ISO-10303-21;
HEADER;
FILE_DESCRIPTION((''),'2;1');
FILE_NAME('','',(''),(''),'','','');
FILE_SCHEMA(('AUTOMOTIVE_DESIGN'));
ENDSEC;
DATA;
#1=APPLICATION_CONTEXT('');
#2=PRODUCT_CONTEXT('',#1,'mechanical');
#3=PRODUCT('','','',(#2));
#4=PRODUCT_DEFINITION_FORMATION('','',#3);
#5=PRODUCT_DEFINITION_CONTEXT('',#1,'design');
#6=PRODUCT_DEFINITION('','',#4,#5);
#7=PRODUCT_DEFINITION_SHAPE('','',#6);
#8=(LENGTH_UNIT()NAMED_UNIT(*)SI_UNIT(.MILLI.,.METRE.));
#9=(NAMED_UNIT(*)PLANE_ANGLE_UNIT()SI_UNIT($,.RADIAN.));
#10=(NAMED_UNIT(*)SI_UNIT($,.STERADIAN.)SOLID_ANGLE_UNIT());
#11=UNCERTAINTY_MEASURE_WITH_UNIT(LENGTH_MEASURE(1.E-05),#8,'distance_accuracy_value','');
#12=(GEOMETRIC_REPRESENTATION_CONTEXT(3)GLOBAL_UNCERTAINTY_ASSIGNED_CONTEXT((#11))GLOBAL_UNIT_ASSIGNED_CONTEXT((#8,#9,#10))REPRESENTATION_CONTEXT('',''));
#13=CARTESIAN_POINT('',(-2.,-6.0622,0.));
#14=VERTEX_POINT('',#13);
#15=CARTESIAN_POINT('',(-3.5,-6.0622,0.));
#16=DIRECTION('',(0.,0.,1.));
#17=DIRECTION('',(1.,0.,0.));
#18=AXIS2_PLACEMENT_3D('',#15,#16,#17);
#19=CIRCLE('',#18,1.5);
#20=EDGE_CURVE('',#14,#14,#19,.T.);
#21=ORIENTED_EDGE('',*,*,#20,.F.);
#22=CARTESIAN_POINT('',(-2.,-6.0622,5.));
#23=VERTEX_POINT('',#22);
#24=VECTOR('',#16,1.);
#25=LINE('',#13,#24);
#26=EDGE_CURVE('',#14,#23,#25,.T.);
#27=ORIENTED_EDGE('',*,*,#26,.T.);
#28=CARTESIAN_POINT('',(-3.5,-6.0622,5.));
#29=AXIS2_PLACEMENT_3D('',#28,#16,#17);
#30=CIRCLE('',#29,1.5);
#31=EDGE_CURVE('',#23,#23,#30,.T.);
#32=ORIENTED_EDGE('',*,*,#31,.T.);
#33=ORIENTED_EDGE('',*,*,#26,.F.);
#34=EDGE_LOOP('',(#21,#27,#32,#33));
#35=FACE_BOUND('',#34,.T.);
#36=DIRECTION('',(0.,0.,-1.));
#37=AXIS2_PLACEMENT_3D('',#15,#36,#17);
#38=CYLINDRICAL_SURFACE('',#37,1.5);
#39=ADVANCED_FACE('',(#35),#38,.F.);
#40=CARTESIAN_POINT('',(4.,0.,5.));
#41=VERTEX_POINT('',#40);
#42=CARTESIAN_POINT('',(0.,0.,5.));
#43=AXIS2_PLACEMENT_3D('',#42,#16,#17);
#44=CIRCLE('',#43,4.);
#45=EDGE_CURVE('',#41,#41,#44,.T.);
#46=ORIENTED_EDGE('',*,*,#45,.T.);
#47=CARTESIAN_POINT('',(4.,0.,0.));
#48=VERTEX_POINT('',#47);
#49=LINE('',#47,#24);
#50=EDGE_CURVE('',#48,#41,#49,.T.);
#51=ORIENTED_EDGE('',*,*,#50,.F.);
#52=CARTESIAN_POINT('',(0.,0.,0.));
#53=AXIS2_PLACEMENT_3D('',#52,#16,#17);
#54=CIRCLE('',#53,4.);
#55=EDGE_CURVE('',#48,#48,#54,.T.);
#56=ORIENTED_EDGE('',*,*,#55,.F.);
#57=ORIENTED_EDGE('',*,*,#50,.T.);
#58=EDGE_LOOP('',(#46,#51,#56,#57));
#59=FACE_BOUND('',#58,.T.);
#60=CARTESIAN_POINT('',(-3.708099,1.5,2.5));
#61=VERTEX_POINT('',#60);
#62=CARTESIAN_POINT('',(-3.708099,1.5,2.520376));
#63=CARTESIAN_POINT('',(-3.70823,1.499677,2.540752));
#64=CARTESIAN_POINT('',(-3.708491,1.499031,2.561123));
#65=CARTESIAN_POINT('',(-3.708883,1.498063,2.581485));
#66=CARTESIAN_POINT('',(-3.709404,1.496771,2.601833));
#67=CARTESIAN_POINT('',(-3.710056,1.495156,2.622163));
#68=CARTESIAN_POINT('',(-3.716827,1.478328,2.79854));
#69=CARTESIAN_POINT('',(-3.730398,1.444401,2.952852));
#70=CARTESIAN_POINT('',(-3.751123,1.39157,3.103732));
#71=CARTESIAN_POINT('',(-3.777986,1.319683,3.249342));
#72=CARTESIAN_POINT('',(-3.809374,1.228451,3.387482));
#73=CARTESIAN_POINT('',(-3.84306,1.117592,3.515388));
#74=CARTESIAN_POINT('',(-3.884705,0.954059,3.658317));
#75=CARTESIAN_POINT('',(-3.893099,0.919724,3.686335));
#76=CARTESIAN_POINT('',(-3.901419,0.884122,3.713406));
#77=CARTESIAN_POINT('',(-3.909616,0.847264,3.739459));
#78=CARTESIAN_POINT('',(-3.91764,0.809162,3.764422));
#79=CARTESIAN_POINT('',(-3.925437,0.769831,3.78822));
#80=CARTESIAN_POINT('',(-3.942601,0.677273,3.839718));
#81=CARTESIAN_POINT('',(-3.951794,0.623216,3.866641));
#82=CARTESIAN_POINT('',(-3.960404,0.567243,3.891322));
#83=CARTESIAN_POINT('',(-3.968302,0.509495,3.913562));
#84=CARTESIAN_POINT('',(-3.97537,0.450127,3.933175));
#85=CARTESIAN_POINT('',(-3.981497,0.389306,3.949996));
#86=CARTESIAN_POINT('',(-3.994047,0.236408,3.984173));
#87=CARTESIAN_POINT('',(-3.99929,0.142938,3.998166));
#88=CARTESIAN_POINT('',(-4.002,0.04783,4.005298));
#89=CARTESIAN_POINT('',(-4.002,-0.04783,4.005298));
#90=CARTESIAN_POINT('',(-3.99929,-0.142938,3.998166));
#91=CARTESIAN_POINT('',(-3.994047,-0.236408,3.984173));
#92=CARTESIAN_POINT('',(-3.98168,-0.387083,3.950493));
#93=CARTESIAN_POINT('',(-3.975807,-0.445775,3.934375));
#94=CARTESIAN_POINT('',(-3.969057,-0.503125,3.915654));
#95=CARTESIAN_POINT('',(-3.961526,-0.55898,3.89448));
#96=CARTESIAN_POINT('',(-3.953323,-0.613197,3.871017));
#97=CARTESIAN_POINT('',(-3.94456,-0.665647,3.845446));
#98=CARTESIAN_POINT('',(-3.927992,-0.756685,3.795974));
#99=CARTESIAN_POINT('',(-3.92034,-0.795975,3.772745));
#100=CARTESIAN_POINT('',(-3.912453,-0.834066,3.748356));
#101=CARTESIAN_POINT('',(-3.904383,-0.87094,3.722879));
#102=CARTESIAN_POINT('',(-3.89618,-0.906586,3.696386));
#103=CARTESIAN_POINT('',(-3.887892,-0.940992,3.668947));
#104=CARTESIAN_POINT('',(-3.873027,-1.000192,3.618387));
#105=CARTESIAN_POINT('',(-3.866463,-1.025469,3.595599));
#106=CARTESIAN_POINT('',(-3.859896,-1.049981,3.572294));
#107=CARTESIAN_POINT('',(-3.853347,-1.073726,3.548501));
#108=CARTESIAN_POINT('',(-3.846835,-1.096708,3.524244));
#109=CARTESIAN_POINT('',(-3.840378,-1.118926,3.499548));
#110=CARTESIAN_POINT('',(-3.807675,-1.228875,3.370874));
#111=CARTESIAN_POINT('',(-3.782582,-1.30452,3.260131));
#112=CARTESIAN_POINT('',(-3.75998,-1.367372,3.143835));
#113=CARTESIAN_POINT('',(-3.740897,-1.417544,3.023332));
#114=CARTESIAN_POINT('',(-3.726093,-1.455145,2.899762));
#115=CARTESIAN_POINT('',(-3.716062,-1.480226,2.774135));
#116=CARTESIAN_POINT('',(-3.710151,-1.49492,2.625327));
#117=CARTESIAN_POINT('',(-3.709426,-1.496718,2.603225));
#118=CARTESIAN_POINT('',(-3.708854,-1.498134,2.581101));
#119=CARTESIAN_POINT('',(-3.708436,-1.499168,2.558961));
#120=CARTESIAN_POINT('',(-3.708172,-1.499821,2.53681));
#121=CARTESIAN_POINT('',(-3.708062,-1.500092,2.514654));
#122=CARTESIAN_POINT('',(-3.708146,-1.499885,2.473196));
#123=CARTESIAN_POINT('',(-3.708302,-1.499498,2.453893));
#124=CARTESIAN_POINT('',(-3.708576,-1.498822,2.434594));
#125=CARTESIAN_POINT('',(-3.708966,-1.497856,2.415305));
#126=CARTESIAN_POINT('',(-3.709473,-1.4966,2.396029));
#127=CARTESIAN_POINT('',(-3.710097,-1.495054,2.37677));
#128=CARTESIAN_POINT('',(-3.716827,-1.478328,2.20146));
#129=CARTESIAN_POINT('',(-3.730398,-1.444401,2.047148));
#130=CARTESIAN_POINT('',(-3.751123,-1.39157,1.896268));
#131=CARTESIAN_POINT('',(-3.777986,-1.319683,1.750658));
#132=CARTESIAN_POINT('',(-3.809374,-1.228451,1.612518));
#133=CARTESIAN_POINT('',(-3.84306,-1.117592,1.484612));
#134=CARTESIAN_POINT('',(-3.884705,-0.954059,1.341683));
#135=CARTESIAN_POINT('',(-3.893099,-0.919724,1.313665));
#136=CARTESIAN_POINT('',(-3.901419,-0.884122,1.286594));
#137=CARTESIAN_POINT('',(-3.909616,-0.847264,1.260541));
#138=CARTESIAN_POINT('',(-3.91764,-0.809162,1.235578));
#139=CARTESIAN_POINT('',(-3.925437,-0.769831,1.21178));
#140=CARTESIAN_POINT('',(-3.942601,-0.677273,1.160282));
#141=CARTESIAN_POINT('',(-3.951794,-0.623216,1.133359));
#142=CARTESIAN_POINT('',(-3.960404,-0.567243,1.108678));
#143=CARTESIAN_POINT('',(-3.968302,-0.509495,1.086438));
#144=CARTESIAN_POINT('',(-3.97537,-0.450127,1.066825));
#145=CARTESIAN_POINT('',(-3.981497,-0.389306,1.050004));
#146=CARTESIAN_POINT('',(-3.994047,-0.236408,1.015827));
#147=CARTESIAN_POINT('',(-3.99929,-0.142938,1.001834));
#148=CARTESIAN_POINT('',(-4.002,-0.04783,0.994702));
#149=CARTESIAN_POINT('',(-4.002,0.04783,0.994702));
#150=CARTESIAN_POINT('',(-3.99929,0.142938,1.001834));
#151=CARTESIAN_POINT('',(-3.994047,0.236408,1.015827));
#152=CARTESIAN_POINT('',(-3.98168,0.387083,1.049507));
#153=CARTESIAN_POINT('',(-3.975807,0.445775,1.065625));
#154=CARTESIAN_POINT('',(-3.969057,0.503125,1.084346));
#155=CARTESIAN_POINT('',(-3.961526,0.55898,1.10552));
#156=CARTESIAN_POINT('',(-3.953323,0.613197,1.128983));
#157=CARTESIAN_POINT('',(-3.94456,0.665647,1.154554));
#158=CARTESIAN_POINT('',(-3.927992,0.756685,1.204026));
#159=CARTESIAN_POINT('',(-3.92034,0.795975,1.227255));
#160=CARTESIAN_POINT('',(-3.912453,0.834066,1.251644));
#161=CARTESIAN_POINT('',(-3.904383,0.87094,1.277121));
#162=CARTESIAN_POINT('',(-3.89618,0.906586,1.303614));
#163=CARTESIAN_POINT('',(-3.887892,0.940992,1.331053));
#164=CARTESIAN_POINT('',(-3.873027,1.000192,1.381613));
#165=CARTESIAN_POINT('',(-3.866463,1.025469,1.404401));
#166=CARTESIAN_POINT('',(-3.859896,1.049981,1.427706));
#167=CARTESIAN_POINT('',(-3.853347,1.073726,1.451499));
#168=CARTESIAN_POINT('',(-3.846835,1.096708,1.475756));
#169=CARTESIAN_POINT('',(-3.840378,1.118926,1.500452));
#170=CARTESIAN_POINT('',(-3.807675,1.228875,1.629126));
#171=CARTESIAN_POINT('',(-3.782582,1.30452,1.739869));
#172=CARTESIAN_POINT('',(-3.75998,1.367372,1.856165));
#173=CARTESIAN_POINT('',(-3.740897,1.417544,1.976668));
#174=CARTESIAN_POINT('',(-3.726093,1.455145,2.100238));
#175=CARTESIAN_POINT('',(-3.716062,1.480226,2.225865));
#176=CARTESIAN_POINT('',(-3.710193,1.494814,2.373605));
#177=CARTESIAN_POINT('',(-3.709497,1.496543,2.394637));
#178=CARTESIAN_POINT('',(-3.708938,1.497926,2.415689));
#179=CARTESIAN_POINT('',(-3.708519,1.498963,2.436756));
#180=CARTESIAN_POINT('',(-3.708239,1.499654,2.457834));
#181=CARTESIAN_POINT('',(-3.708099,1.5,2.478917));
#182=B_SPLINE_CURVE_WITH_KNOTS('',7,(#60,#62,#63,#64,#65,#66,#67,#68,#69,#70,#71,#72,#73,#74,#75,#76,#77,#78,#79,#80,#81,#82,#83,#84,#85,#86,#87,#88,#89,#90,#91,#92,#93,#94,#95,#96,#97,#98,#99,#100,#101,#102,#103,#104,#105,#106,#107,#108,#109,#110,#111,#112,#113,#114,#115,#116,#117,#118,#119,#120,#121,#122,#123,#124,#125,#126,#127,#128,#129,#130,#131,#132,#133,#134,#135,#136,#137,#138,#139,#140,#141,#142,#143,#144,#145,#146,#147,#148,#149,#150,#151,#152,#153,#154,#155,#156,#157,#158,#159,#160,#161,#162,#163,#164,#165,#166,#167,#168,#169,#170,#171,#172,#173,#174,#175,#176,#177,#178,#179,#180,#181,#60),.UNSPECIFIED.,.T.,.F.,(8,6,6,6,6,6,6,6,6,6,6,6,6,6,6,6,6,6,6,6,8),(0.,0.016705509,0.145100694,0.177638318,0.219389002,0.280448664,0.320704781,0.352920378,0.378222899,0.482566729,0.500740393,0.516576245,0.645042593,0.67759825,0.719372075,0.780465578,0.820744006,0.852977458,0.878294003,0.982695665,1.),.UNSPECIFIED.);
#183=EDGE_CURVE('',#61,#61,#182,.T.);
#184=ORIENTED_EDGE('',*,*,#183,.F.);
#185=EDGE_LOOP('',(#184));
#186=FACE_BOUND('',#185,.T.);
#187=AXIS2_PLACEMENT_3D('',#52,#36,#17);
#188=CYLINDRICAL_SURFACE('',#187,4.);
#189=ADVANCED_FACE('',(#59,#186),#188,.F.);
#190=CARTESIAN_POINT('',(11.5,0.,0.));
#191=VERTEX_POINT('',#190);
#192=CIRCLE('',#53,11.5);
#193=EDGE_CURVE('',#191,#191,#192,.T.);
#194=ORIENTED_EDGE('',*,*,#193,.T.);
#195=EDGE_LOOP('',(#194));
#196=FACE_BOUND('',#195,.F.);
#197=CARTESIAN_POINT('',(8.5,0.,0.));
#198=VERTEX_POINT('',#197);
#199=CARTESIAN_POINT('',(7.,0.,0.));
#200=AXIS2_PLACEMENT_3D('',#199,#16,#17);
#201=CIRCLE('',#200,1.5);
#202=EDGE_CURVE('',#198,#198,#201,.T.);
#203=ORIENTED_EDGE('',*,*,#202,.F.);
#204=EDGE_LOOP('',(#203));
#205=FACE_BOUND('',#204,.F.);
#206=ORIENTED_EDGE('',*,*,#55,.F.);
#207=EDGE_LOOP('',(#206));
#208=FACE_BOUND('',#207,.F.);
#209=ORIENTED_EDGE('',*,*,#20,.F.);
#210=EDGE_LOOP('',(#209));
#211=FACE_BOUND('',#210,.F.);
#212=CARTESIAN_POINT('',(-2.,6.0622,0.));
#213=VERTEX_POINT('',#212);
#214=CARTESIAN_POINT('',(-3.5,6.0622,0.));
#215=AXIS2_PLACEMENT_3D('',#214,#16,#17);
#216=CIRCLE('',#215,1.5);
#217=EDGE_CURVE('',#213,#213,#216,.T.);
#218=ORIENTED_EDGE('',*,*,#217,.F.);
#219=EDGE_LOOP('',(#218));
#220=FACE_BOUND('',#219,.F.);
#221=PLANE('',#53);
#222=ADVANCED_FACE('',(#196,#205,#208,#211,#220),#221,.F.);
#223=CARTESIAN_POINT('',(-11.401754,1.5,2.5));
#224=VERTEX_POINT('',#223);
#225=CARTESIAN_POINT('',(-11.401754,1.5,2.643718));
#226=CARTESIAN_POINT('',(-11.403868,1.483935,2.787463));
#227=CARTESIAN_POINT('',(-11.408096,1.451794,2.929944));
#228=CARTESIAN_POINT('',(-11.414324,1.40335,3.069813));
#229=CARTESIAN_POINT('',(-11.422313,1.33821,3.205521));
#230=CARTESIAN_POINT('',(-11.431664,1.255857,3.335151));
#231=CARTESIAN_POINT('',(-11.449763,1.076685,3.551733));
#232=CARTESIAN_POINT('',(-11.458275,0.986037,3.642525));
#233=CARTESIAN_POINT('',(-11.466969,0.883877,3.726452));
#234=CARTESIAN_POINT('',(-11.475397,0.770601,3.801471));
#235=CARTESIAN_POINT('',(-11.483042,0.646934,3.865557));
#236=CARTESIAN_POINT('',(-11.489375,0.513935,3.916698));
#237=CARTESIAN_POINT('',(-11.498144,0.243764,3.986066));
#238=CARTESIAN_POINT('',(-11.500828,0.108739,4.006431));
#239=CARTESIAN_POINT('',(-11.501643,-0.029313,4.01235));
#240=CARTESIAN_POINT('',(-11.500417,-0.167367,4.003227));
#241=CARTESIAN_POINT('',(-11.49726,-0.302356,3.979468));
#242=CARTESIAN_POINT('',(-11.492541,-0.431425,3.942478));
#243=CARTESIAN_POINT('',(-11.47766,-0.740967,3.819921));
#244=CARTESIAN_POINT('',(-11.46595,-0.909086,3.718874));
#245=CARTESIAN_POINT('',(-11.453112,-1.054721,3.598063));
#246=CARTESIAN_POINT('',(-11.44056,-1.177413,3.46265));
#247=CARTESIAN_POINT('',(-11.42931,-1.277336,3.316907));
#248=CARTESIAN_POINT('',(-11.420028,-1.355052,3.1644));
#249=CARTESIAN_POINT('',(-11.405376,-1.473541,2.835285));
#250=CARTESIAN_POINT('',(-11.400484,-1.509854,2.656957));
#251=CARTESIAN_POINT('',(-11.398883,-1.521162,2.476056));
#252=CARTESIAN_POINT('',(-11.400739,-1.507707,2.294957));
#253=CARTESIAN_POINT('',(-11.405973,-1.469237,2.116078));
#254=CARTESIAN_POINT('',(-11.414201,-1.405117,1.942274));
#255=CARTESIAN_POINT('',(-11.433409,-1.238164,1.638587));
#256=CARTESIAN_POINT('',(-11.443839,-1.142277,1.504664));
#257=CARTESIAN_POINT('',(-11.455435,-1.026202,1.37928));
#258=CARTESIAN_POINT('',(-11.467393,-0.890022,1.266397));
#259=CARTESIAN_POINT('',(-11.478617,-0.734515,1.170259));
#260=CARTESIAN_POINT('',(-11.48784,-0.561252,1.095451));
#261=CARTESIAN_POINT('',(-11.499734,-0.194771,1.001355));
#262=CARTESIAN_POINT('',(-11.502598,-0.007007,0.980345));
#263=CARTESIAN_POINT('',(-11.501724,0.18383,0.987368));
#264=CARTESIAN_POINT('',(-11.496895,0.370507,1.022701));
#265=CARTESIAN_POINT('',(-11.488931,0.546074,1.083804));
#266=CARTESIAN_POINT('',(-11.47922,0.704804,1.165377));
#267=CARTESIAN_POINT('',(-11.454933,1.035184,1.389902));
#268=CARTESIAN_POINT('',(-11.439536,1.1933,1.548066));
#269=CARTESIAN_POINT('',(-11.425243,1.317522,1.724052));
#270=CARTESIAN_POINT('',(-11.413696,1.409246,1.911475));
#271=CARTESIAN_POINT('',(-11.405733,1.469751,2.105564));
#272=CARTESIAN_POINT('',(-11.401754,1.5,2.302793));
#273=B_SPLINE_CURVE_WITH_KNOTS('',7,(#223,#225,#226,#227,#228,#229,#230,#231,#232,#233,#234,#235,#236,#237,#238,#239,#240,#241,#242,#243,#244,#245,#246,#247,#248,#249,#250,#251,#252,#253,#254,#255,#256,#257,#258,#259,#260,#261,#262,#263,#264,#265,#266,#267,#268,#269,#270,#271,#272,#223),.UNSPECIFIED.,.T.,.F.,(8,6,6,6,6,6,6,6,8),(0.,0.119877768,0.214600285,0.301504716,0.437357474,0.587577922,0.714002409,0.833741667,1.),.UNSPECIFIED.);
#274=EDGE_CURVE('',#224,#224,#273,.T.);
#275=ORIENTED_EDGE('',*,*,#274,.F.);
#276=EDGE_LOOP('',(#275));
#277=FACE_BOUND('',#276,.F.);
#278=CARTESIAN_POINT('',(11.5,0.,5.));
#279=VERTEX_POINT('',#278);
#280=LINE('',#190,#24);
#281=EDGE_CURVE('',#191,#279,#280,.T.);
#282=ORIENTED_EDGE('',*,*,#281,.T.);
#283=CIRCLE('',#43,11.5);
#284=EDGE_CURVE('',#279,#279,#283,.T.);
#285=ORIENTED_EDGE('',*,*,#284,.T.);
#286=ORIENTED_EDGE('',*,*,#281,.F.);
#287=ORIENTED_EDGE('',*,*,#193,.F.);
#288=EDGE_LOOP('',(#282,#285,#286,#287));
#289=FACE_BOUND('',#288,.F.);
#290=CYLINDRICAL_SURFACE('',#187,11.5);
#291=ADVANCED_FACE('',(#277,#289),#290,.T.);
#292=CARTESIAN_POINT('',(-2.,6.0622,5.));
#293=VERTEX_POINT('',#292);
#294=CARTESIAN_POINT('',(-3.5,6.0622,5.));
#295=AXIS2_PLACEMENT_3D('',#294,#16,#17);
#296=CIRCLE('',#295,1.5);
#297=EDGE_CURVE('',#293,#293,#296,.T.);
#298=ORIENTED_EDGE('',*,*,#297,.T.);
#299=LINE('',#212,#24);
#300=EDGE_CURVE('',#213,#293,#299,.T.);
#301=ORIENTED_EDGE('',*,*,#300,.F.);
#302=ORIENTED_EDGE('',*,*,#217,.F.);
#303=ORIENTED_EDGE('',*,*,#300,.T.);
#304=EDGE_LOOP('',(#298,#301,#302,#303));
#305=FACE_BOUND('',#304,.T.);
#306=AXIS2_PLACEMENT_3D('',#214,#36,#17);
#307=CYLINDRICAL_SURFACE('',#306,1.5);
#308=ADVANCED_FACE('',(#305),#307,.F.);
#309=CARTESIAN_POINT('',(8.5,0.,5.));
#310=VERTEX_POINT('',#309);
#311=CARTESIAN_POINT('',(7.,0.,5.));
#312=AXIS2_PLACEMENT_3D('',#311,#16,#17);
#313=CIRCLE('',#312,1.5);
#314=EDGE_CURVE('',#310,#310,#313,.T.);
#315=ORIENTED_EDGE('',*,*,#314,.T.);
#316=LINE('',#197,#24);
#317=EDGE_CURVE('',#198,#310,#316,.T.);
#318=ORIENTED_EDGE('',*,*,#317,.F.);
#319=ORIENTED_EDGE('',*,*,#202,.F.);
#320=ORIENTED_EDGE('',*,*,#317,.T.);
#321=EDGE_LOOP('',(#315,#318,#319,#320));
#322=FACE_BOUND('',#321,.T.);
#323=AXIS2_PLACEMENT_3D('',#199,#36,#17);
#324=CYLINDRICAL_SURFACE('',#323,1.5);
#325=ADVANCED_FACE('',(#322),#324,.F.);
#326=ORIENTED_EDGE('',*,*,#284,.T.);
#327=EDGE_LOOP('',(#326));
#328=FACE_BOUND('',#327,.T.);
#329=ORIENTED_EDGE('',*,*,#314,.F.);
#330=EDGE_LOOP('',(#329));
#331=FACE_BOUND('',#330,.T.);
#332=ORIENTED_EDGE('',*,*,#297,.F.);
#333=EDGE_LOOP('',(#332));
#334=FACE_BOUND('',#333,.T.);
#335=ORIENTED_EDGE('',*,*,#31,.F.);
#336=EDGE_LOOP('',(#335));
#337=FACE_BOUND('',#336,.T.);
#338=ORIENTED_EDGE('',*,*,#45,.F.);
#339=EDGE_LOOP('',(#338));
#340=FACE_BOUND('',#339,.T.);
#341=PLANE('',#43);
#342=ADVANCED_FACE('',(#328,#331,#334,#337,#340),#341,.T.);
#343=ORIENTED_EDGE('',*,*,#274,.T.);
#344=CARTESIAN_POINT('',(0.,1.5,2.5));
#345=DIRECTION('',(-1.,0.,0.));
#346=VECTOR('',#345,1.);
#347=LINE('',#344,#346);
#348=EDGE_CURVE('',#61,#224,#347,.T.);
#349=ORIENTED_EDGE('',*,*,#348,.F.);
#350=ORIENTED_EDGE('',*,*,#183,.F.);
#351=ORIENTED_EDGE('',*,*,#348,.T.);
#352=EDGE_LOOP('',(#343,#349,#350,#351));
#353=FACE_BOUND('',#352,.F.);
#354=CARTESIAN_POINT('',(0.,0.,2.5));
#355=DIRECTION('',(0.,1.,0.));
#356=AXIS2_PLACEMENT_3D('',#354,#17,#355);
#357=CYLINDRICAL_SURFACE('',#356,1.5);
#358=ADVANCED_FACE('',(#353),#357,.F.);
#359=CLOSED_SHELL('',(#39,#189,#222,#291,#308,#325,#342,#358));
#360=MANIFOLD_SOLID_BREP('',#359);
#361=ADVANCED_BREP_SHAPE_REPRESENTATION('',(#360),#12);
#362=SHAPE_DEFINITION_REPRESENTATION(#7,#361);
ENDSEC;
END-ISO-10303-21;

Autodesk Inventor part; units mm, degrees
ref_plane "YZ Plane" through (0, 0, 0) normal (1, 0, 0) x (0, 1, 0)
ref_plane "XZ Plane" through (0, 0, 0) normal (0, 1, 0) x (-1, 0, 0)
ref_plane "XY Plane" through (0, 0, 0) normal (0, 0, 1) x (1, 0, 0)
sketch "Sketch3" plane through (0, 0, 0) normal (0, 0, 1) x (1, 0, 0)
  circle A0 centre (0, 0) radius 11.5
  circle A1 centre (0, 0) radius 4
  circle A2 centre (7, 0) radius 1.5
  circle A3 centre (3.5, 6.0622) radius 1.5
  circle A4 centre (-3.5, 6.0622) radius 1.5
  circle A5 centre (-7, 0) radius 1.5
  circle A6 centre (-3.5, -6.0622) radius 1.5
  circle A7 centre (3.5, -6.0622) radius 1.5
  dimension "d0" = 23
  dimension "d1" = 8
  dimension "d4" = 3
  dimension "d5" = 7
  dimension "d12" = 360
extrude "Extrusion1" add sketch "Sketch3" along normal blind 5 contours A0 | A3 | A5 | A7
sketch "Sketch4" plane through (0, 0, 0) normal (1, 0, 0) x (0, 1, 0)
  line L0 (-11.5, 0) -> (11.5, 0) projected
  line L1 (-4, 5) -> (4, 5) projected
  line L2 (4, 0) -> (-4, 0) projected
  circle A0 centre (0, 2.5) radius 1.5
  line L3 (4, 0) -> (4, 5) projected
  point P0 (0, 0)
  point P1 (0, 0)
  point P2 (4, 2.5)
  dimension "d14" = 3
extrude "Extrusion2" cut sketch "Sketch4" against normal through all
thread "Thread1" size "M3x0.5" class "6H" standard "ANSI Metric M Profile" full length
thread "Thread2" size "M3x0.5" class "6H" standard "ANSI Metric M Profile" full length
thread "Thread3" size "M3x0.5" class "6H" standard "ANSI Metric M Profile" full length
thread "Thread4" size "M3x0.5" class "6H" standard "ANSI Metric M Profile" full length
equation "\"d15\" = d14"
properties part number "6mm Mounting Hub, thin" material "Aluminum 6061"
